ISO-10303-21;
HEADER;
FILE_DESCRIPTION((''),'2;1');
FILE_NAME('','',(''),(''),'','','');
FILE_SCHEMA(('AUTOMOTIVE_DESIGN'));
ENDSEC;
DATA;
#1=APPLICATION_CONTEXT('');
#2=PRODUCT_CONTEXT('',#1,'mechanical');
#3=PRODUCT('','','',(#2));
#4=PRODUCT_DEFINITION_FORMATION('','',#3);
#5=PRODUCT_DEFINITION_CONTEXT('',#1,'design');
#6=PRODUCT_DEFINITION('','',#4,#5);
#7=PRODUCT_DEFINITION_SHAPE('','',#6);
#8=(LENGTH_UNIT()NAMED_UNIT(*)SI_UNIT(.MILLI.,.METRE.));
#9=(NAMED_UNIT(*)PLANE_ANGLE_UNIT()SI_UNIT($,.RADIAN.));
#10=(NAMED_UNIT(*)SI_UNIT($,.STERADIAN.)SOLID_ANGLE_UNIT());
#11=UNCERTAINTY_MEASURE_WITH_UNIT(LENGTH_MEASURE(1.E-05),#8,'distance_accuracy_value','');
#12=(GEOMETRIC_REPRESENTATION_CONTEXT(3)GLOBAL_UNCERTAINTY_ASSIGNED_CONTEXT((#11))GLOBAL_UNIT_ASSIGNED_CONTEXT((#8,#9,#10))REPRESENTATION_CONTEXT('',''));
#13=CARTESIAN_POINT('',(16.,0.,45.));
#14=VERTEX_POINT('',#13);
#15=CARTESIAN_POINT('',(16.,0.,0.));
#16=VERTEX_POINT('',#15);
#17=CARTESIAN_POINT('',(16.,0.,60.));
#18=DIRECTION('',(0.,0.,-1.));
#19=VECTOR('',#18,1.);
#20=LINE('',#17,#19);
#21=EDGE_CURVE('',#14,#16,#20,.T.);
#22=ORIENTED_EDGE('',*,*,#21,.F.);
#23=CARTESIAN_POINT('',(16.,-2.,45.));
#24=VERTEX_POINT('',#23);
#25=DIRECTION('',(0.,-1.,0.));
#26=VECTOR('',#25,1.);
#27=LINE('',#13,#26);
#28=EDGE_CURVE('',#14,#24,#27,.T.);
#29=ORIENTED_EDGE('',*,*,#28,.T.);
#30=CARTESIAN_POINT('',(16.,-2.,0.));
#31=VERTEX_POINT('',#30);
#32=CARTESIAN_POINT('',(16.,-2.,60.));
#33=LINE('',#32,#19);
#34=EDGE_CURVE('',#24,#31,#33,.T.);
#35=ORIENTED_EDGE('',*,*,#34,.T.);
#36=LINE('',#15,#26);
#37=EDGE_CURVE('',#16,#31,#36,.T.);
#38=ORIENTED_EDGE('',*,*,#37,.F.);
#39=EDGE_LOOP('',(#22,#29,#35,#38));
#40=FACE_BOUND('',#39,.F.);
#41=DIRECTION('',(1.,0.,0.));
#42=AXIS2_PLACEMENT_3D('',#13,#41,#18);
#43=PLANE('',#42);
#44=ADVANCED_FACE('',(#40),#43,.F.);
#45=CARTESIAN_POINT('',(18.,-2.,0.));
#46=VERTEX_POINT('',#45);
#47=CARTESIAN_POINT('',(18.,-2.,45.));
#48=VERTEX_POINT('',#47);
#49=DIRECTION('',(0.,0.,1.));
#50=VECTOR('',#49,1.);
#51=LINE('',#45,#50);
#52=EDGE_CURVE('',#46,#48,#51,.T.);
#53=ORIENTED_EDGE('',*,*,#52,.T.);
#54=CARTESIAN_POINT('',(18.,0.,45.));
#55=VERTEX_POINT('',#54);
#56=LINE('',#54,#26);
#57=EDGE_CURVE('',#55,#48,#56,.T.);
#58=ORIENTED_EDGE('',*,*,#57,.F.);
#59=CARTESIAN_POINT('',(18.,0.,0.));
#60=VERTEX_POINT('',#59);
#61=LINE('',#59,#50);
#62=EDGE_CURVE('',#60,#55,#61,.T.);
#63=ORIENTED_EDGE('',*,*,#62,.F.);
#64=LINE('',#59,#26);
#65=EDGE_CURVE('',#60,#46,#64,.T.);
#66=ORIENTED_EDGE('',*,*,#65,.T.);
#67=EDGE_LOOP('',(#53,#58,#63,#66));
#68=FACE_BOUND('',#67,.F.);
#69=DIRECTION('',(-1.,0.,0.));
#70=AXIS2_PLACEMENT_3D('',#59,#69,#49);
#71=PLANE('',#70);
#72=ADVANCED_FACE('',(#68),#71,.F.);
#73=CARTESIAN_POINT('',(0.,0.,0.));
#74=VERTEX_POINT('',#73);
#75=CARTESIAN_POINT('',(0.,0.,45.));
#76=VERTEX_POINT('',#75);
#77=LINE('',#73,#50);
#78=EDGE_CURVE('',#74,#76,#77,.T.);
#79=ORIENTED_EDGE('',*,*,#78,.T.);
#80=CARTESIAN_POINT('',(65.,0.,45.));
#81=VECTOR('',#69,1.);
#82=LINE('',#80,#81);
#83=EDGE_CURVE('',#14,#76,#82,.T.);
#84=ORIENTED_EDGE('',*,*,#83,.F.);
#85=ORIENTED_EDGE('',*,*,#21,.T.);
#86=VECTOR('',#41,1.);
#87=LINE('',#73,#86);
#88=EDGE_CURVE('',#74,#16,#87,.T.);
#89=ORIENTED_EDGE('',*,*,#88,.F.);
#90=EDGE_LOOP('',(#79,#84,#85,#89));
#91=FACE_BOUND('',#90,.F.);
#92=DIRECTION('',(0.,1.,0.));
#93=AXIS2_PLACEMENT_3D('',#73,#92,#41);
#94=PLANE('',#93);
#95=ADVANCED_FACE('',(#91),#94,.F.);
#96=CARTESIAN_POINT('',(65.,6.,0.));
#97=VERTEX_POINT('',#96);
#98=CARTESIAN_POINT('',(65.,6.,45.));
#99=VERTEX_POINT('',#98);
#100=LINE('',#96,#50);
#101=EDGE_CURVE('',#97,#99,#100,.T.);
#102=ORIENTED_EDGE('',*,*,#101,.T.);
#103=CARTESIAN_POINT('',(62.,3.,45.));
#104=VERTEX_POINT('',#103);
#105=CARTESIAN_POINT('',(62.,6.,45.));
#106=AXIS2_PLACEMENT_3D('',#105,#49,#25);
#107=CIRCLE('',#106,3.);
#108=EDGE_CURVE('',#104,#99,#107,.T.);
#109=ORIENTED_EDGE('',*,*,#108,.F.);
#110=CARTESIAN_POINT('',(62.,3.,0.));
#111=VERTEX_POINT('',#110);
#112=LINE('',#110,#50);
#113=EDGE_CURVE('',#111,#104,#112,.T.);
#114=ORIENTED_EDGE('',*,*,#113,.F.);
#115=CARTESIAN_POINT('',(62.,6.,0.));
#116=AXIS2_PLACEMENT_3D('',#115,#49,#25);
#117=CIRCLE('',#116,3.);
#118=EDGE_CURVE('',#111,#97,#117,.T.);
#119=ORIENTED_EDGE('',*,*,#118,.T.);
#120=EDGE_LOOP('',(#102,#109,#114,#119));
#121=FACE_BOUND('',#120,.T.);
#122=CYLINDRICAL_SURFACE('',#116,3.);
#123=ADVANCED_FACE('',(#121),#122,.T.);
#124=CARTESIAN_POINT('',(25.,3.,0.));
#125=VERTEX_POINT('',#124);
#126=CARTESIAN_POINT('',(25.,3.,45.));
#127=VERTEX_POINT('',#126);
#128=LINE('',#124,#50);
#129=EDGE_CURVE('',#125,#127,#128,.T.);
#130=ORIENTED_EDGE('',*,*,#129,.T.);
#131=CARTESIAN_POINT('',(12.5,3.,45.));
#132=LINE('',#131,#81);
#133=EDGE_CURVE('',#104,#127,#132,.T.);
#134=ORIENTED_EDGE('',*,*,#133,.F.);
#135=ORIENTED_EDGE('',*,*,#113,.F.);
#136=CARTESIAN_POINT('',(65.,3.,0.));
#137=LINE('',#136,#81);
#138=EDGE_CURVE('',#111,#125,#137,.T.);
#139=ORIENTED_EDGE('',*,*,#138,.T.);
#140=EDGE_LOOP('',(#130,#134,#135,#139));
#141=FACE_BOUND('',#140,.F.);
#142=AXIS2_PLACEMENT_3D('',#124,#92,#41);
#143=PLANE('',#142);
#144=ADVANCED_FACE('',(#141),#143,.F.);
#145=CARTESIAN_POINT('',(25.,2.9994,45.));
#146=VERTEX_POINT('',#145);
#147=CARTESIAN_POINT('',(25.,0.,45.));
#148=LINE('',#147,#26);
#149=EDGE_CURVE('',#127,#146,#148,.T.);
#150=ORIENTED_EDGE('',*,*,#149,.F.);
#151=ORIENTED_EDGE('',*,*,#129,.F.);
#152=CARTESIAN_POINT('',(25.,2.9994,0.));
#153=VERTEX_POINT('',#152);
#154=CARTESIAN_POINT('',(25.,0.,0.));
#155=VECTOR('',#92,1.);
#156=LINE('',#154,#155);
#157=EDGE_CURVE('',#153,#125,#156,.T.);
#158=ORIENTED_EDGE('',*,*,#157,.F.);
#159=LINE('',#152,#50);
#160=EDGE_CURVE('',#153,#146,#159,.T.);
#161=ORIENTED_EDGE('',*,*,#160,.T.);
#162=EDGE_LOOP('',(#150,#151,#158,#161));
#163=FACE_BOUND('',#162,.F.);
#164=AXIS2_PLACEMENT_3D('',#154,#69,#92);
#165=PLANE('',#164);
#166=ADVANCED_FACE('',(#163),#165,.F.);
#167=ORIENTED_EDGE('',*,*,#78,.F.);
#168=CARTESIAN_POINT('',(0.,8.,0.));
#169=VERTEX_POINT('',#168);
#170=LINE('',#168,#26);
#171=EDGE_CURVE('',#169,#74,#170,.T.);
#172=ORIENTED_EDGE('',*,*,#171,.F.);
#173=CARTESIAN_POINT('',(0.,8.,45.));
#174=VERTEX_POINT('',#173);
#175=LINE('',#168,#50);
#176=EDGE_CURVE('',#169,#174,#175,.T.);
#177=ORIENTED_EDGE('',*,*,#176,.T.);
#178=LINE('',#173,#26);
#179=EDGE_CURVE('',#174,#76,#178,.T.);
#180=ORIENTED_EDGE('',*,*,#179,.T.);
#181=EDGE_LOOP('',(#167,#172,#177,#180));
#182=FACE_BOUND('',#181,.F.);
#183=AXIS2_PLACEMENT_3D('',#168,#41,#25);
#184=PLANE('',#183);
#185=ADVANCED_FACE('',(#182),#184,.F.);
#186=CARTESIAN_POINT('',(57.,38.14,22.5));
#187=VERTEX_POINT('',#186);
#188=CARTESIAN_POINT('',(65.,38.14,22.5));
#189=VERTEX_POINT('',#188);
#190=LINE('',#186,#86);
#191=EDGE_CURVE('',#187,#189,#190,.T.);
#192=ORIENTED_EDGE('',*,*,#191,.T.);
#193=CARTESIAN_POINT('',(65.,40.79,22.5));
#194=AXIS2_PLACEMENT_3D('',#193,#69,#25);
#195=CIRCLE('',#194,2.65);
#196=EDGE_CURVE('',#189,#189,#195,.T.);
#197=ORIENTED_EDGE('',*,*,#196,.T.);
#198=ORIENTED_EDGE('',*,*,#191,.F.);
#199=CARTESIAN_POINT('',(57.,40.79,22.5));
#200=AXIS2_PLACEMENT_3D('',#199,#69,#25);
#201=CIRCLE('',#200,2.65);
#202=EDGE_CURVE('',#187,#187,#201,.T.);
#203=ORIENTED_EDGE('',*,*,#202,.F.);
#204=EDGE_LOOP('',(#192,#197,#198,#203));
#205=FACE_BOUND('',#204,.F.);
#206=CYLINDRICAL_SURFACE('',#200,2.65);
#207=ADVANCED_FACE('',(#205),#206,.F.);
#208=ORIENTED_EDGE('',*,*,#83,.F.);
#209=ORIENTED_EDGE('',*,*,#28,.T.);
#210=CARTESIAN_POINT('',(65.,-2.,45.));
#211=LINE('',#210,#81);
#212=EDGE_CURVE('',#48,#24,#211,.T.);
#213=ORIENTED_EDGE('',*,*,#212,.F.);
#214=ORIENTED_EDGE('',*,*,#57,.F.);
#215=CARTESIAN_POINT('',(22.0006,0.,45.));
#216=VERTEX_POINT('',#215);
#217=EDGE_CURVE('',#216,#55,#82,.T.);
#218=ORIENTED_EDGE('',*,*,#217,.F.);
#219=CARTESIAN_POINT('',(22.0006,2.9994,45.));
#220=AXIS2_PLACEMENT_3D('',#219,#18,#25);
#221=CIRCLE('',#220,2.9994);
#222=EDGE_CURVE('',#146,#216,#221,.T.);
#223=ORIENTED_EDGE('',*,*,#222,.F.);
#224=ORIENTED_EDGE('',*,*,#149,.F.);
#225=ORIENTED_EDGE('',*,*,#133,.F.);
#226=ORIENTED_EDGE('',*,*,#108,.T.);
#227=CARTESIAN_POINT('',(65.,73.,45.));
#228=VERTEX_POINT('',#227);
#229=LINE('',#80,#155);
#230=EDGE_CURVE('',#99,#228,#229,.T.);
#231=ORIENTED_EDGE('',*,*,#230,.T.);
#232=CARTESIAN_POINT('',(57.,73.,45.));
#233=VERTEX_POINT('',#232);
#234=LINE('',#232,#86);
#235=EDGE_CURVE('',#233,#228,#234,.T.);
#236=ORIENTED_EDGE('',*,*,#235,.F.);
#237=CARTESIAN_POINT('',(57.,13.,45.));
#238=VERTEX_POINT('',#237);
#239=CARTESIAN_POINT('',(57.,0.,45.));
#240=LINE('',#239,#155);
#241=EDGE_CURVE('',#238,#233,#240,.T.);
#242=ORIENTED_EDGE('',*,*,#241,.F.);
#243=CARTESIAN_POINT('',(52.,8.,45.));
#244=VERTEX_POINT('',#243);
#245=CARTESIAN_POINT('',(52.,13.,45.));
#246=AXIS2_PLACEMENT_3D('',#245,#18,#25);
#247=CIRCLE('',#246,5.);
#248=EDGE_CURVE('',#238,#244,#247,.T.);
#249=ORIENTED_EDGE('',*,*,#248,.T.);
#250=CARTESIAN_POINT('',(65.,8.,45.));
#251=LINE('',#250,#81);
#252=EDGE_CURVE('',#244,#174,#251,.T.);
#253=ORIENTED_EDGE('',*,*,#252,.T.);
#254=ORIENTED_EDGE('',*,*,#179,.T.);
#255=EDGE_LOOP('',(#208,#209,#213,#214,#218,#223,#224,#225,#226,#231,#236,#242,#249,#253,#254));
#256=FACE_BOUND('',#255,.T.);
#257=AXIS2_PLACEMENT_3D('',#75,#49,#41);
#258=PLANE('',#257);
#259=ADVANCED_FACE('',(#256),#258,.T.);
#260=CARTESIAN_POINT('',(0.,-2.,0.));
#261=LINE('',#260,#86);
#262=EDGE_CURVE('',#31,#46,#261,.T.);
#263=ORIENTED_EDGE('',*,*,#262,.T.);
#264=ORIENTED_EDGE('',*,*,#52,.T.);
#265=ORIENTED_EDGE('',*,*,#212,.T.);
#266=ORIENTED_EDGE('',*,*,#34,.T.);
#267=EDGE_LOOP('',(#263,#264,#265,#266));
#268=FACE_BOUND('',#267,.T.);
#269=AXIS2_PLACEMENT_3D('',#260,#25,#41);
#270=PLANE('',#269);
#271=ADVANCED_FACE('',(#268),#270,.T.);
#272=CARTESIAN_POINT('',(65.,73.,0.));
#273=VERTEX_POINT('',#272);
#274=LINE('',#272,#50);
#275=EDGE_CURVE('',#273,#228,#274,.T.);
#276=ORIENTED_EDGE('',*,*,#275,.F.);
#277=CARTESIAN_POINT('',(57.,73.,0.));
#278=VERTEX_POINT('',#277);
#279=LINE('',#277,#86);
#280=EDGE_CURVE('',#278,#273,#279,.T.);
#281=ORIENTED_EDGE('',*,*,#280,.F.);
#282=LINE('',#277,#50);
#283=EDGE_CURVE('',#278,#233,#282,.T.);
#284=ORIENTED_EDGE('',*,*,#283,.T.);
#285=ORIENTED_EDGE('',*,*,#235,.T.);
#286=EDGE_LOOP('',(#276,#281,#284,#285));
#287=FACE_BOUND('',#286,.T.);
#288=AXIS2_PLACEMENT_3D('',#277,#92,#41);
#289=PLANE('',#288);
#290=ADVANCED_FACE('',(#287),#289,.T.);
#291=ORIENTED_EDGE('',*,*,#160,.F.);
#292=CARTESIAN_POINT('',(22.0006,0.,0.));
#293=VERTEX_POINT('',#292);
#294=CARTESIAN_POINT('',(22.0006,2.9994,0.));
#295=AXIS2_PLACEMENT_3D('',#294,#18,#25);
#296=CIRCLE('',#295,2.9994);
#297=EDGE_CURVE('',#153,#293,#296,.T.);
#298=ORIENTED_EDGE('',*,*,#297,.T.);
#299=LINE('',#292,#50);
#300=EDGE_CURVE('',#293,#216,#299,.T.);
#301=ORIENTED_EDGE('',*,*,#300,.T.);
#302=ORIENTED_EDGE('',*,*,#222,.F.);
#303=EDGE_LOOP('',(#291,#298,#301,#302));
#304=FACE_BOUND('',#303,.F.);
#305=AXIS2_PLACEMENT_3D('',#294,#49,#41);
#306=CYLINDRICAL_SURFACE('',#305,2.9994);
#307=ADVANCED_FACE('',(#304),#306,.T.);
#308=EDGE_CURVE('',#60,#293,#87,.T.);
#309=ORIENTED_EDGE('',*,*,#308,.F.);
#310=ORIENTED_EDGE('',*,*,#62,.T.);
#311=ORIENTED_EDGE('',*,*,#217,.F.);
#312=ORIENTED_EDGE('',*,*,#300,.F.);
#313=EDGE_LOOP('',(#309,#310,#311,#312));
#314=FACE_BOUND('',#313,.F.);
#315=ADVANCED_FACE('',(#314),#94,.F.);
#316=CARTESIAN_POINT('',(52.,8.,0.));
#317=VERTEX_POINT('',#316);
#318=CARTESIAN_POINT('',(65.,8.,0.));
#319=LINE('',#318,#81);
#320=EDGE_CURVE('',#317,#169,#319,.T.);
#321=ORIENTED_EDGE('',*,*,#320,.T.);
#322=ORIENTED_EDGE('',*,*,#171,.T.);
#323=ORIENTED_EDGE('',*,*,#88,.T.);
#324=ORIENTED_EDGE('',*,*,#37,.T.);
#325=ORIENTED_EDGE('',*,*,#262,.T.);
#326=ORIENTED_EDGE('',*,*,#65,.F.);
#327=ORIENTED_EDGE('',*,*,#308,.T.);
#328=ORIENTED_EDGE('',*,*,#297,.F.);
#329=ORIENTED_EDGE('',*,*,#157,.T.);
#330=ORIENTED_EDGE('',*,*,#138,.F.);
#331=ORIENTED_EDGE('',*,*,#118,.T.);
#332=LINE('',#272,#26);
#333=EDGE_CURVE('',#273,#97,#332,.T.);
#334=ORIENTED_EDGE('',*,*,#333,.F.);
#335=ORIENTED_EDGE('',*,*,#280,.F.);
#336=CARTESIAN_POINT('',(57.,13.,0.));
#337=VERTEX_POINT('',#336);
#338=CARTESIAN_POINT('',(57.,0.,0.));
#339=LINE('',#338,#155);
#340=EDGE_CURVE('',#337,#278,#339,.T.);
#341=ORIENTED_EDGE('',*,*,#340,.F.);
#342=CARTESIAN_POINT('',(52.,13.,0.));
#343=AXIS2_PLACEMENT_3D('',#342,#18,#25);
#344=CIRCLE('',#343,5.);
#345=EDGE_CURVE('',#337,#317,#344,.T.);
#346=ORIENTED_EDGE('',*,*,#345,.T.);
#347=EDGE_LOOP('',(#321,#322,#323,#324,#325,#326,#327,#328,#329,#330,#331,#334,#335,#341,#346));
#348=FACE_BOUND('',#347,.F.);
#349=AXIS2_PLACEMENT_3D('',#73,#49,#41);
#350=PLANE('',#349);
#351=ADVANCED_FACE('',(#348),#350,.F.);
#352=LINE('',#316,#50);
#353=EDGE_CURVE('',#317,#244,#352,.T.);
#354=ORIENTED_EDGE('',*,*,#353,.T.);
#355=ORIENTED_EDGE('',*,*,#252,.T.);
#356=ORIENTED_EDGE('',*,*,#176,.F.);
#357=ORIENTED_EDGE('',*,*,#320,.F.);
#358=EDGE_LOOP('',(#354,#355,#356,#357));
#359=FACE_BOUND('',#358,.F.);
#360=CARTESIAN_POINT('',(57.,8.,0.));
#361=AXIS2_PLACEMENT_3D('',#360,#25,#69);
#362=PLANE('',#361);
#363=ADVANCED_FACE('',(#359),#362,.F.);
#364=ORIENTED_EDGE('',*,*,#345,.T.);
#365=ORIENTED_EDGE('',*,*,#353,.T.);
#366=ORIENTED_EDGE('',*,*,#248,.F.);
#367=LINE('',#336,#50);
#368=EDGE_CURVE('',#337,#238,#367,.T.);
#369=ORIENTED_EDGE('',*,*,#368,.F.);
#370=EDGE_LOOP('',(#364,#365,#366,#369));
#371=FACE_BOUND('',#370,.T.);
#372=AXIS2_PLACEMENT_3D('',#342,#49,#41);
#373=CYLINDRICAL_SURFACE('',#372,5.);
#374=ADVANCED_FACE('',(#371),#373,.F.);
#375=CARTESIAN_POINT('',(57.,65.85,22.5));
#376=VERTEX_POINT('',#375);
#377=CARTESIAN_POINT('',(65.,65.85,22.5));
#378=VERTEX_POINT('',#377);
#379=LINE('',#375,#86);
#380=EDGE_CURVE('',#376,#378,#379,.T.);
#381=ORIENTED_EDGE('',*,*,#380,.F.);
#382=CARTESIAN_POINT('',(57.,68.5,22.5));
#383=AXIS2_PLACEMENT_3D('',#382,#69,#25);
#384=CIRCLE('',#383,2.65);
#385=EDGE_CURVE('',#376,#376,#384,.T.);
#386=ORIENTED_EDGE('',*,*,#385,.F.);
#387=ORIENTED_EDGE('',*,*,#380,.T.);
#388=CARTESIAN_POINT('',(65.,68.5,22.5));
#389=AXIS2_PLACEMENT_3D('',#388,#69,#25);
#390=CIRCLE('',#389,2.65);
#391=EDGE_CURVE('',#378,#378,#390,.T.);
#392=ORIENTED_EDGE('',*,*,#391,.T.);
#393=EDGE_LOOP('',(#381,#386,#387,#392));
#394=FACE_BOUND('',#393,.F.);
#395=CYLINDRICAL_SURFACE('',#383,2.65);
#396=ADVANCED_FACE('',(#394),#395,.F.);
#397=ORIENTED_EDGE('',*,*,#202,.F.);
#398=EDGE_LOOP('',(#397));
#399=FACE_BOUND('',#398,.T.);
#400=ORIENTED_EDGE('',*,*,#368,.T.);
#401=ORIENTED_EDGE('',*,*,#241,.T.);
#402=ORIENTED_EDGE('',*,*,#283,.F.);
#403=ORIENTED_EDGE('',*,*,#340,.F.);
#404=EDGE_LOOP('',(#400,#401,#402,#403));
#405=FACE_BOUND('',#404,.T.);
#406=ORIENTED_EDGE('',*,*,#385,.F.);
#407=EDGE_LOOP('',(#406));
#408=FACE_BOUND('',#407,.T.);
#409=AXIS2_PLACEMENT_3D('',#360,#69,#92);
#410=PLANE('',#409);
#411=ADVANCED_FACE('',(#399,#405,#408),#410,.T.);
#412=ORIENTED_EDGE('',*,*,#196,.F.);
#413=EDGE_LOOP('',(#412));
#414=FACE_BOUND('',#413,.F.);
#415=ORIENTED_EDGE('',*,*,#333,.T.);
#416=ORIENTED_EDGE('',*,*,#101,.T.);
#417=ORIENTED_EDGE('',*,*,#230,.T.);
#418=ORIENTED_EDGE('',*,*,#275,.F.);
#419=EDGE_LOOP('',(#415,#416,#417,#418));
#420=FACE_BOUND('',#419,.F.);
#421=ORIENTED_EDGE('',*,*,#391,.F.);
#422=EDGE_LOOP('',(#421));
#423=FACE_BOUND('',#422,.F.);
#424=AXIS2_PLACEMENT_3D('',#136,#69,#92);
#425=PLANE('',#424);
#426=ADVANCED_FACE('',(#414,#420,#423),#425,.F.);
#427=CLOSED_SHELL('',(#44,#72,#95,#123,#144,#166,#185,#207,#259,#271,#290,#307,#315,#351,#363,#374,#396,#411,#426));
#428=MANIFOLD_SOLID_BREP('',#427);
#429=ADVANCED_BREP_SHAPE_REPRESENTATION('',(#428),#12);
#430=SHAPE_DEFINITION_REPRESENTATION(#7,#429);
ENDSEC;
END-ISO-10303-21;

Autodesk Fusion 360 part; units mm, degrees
sketch "Sketch1" plane through (0, 0, 0) normal (0, 0, 1) x (1, 0, 0)
  line L0 (0, 0) -> (65, 0)
  line L1 (65, 0) -> (65, 8)
  line L2 (65, 8) -> (0, 8)
  line L3 (0, 8) -> (0, 0)
  line L4 (65, 0) -> (57, 0)
  line L5 (57, 0) -> (57, 73)
  line L6 (57, 73) -> (65, 73)
  line L7 (65, 73) -> (65, 0)
  line L8 (65, 0) -> (25, 0)
  line L9 (25, 0) -> (25, 3)
  line L10 (25, 3) -> (65, 3)
  line L11 (65, 3) -> (65, 0)
  dimension "d1" = 65
  dimension "d2" = 8
  dimension "d3" = 8
  dimension "d4" = 73
  dimension "d37" = 40
  dimension "d38" = 3
extrude "Extrude1" add sketch "Sketch1" along normal blind 45
sketch "Sketch2" plane through (0, 0, 0) normal (0, -1, 0) x (1, 0, 0)
  line L0 (0, 0) -> (65, 0)
  line L1 (65, 0) -> (65, 45)
  line L2 (65, 45) -> (0, 45)
  line L3 (0, 45) -> (0, 0)
  line L4 (16, 0) -> (18, 0)
  line L5 (18, 0) -> (18, 60)
  line L6 (18, 60) -> (16, 60)
  line L7 (16, 60) -> (16, 0)
  dimension "d7" = 2
  dimension "d8" = 60
  dimension "d9" = 16
extrude "Extrude2" add sketch "Sketch2" along normal blind 2 contours L0 L2 L4 L5 L7
sketch "Sketch3" plane through (57, 0, 0) normal (-1, 0, 0) x (0, -1, 0)
  line L0 (-73, 0) -> (-8, 0)
  line L1 (-8, 0) -> (-8, 45)
  line L2 (-8, 45) -> (-73, 45)
  line L3 (-73, 45) -> (-73, 0)
  line L4 (-73, 22.5) -> (-8.58, 22.5) construction
  circle A0 centre (-68.5, 22.5) radius 2
  circle A1 centre (-40.79, 22.5) radius 2
  circle A2 centre (-68.5, 22.5) radius 2.65
  circle A3 centre (-40.79, 22.5) radius 2.65
  line L5 (-73, 0) -> (-18, 0)
  line L6 (-18, 0) -> (-18, 10)
  line L7 (-18, 10) -> (-73, 10)
  line L8 (-73, 10) -> (-73, 0)
  dimension "d25" = 4
  dimension "d27" = 4
  dimension "d28" = 4.5
  dimension "d29" = 27.71
  dimension "d30" = 5.3
  dimension "d31" = 5.3
  dimension "d49" = 55
  dimension "d50" = 10
extrude "Extrude5" cut sketch "Sketch3" against normal blind 8 contours A0 | A1
extrude "Extrude6" cut sketch "Sketch3" against normal blind 8 contours A2 | A3
extrude "Extrude7" cut sketch "Sketch1" along normal blind 70 contours L0 L5 L8 L9 L10 | L0 L1 L4 L5 L7 L8 L10 L11
fillet "Fillet1" radius 3 1 edges at (25, 0, 22.5)
fillet "Fillet2" radius 3 1 edges at (65, 3, 22.5)
fillet "Fillet3" radius 5 1 edges at (57, 8, 22.5)
equation "d1 = 39 mm + 5 mm + 16 mm + 5 mm"
equation "d4 = 48 mm + 5 mm + 10 mm + 10 mm"
